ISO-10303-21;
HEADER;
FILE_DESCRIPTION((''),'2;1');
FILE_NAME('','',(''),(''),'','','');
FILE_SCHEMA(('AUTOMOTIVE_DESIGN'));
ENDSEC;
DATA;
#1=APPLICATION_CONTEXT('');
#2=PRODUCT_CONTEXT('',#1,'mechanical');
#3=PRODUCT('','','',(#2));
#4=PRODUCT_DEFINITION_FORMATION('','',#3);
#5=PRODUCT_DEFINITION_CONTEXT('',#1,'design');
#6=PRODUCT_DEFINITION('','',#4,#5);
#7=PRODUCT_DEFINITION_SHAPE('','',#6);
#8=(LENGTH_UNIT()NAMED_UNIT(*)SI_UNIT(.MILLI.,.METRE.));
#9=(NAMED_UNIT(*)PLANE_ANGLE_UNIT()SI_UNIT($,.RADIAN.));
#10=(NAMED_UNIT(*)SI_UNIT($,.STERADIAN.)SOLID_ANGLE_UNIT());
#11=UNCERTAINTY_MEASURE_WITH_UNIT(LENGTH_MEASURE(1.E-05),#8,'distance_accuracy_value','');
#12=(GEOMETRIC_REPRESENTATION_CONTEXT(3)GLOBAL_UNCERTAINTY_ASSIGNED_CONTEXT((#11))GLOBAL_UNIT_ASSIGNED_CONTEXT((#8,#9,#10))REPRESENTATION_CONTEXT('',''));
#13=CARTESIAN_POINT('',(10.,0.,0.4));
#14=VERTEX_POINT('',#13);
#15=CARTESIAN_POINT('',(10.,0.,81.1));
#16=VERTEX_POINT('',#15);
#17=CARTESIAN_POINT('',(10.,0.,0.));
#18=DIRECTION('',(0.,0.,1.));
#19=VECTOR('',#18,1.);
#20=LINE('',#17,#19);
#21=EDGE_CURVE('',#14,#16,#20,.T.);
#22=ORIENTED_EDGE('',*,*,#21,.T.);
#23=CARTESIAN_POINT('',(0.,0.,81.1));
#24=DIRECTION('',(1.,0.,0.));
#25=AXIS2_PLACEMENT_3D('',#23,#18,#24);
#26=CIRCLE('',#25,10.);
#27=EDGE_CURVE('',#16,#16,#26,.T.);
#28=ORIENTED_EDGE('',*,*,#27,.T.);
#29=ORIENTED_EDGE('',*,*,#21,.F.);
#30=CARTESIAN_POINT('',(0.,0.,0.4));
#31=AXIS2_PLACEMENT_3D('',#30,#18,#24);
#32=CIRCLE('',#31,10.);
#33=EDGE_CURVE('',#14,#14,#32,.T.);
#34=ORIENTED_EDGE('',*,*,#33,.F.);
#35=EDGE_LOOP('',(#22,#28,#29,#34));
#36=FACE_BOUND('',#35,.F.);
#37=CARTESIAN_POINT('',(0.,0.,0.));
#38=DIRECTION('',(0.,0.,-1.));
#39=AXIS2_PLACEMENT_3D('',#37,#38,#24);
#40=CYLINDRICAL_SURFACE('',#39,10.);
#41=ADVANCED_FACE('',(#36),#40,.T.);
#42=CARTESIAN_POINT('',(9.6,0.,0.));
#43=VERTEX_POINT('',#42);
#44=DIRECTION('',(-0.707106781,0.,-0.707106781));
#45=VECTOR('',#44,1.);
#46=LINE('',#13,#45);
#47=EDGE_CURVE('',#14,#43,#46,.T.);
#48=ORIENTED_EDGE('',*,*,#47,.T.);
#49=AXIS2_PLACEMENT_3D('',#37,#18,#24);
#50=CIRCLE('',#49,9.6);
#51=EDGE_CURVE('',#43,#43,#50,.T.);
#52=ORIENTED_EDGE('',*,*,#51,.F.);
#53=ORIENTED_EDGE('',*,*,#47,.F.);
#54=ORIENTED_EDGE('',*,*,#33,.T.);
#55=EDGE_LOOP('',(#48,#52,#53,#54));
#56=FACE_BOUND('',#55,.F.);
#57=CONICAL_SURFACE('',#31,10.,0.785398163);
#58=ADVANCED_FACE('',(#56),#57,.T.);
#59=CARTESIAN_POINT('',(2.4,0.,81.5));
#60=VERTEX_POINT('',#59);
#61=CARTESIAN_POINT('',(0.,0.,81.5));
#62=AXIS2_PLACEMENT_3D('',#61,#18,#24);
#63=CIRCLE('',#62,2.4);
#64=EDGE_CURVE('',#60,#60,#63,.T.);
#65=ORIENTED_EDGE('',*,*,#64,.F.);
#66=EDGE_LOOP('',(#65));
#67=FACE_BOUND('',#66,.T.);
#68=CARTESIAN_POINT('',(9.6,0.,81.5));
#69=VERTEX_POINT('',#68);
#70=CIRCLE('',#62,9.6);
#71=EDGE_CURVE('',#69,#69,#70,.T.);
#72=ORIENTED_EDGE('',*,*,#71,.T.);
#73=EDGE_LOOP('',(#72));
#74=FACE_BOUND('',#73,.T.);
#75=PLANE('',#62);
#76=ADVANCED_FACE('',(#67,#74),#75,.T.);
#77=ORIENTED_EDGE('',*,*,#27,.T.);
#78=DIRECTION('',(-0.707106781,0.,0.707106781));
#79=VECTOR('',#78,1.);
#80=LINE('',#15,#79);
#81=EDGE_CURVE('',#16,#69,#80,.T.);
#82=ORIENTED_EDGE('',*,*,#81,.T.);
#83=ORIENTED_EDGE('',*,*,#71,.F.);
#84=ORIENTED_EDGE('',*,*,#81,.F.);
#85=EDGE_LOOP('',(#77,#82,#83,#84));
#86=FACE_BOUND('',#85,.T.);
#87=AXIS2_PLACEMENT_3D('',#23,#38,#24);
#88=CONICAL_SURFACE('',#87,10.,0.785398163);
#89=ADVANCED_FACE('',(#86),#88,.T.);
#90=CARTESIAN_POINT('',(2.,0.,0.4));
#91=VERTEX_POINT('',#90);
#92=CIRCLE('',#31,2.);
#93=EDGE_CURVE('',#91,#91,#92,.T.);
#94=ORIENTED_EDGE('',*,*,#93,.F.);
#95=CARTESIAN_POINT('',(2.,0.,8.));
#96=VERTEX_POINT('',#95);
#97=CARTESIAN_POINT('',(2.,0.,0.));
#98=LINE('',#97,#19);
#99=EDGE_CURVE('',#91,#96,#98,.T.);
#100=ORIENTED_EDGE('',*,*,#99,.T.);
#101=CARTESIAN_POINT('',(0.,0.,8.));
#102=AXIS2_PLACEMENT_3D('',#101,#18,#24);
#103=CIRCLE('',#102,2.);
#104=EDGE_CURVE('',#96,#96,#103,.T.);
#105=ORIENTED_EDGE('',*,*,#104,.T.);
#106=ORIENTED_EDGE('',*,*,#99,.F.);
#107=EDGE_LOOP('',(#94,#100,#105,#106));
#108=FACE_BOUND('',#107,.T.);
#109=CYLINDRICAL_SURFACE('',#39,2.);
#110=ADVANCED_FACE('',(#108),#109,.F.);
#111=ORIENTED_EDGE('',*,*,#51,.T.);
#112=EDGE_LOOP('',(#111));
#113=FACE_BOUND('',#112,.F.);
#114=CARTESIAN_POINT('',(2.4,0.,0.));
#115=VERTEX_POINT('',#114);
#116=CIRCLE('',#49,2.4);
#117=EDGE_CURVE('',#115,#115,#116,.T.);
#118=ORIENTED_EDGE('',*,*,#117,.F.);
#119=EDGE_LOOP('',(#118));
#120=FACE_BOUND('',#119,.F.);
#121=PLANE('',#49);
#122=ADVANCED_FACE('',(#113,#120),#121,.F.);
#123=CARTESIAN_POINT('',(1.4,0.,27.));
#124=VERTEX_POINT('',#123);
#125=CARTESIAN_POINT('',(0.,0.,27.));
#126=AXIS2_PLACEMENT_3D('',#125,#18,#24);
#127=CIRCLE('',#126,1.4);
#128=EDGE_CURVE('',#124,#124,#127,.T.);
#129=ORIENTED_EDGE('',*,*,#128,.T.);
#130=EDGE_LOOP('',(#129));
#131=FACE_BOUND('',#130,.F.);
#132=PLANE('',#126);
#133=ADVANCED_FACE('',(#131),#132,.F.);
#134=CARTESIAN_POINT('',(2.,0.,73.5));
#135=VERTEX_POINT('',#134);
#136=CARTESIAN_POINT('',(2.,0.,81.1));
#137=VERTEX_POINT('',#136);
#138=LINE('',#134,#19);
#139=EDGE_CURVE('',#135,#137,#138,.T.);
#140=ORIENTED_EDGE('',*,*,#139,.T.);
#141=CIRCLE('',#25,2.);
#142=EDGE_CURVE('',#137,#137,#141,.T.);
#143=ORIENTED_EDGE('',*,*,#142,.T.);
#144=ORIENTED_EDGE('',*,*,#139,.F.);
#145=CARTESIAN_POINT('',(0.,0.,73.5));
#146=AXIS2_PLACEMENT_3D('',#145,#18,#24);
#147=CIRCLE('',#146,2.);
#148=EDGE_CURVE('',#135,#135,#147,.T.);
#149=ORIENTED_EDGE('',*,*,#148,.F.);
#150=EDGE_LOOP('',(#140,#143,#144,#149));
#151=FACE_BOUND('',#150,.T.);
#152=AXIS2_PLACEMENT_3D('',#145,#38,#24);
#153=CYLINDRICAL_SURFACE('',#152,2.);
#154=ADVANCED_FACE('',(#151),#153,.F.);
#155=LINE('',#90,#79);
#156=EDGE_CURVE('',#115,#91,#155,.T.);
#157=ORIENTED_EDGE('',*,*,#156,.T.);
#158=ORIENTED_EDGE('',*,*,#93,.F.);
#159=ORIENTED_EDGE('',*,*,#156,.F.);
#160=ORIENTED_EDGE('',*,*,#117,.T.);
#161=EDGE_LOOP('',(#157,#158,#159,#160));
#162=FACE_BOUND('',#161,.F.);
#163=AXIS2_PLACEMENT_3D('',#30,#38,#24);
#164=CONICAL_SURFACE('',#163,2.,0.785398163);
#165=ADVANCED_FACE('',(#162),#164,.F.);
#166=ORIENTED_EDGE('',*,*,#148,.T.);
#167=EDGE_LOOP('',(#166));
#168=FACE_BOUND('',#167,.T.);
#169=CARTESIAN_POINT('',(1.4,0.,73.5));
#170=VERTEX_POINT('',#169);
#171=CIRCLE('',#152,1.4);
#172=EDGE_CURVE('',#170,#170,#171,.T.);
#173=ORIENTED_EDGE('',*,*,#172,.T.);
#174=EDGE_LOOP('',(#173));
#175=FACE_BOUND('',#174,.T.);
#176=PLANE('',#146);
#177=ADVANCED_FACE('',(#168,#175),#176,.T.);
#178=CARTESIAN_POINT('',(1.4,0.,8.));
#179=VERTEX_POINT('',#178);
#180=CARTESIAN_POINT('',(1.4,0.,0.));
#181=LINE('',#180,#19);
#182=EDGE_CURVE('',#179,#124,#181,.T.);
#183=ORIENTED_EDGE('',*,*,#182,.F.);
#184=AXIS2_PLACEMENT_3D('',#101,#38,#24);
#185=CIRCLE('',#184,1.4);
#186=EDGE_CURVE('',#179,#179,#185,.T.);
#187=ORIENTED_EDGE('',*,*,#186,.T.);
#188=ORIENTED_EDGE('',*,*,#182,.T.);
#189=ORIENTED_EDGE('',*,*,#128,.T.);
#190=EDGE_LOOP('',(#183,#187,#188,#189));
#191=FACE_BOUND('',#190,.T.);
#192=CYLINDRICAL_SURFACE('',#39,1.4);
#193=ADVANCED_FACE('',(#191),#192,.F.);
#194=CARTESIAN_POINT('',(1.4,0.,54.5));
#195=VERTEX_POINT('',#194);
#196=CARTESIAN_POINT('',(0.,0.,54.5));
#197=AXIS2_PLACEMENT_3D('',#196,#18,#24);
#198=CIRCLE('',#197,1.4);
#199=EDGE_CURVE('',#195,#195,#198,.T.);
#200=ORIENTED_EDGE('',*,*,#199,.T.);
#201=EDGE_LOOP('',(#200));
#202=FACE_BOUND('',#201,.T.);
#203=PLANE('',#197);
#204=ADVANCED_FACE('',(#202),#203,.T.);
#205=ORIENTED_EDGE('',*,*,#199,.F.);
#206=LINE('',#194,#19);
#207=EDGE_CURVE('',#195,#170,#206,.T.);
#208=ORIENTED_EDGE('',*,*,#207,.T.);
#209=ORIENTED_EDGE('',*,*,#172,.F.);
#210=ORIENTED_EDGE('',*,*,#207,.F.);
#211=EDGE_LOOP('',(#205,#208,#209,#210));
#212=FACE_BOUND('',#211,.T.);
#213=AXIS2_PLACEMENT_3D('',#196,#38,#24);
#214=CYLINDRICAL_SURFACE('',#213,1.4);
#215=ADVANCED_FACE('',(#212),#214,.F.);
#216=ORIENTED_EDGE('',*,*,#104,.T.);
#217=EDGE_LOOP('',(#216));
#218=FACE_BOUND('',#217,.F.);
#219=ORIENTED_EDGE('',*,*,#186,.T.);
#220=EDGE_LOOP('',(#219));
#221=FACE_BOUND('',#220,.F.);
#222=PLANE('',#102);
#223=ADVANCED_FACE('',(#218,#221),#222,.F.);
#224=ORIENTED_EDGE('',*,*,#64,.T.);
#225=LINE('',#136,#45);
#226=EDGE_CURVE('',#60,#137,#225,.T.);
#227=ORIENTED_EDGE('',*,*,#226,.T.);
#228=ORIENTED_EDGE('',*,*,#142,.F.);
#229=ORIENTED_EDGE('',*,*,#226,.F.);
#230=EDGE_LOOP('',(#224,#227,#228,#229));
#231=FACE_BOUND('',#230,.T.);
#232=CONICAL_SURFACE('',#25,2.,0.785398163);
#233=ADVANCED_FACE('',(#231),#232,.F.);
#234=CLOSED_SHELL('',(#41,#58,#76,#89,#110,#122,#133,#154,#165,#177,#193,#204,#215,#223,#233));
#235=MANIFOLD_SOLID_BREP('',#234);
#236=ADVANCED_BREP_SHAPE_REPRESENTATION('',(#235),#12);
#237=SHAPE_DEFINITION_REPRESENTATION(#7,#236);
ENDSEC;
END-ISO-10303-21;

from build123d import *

# Parameters (mm, degrees)
CYLINDER018_R                              = 1.4
CYLINDER018_DEPTH                          = 27
CYLINDER020_R                              = 2
CYLINDER020_DEPTH                          = 8
CYLINDER021_R                              = 2
CYLINDER021_DEPTH                          = 8
CYLINDER019_R                              = 1.4
CYLINDER019_DEPTH                          = 27
CYLINDER017_R                              = 10
CYLINDER017_DEPTH                          = 81.5
CHAMFER004013007011015006009007001084_SIZE = 0.4


with BuildPart() as cylinder018:
    # Cylinder018 → Cylinder018 (new body)
    with BuildSketch(Plane.XY):
        Circle(CYLINDER018_R)
    extrude(amount=CYLINDER018_DEPTH)


with BuildPart() as cylinder020:
    # Cylinder020 → Cylinder020 (new body)
    with BuildSketch(Plane.XY):
        Circle(CYLINDER020_R)
    extrude(amount=CYLINDER020_DEPTH)


with BuildPart() as cylinder021:
    # Cylinder021 → Cylinder021 (new body)
    with BuildSketch(Plane.XY.offset(73.5)):
        Circle(CYLINDER021_R)
    extrude(amount=CYLINDER021_DEPTH)


with BuildPart() as fusion006002011004053036004001_body:
    # Cylinder019 → Cylinder019 (new body)
    with BuildSketch(Plane.XY.offset(54.5)):
        Circle(CYLINDER019_R)
    extrude(amount=CYLINDER019_DEPTH)

    # Fusion006002011004053036004001028003005014018035002007006012: union Cylinder018, Cylinder020, Cylinder021
    add(cylinder018.part)
    add(cylinder020.part)
    add(cylinder021.part)


with BuildPart() as roller:
    # Cylinder017 → Cylinder017 (new body)
    with BuildSketch(Plane.XY):
        Circle(CYLINDER017_R)
    extrude(amount=CYLINDER017_DEPTH)

    # Cut008004003004014002002005003004003002003021022001002001107: cut Fusion006002011004053036004001 body
    add(fusion006002011004053036004001_body.part, mode=Mode.SUBTRACT)

    # Chamfer004013007011015006009007001084
    chamfer004013007011015006009007001084_edges = [roller.edges().sort_by_distance(p)[0] for p in [
        (-10, 0, 81.5),
        (-10, 0, 0),
        (-2, 0, 81.5),
        (-2, 0, 0),
    ]]
    chamfer(chamfer004013007011015006009007001084_edges, length=CHAMFER004013007011015006009007001084_SIZE)


solid = roller.part
